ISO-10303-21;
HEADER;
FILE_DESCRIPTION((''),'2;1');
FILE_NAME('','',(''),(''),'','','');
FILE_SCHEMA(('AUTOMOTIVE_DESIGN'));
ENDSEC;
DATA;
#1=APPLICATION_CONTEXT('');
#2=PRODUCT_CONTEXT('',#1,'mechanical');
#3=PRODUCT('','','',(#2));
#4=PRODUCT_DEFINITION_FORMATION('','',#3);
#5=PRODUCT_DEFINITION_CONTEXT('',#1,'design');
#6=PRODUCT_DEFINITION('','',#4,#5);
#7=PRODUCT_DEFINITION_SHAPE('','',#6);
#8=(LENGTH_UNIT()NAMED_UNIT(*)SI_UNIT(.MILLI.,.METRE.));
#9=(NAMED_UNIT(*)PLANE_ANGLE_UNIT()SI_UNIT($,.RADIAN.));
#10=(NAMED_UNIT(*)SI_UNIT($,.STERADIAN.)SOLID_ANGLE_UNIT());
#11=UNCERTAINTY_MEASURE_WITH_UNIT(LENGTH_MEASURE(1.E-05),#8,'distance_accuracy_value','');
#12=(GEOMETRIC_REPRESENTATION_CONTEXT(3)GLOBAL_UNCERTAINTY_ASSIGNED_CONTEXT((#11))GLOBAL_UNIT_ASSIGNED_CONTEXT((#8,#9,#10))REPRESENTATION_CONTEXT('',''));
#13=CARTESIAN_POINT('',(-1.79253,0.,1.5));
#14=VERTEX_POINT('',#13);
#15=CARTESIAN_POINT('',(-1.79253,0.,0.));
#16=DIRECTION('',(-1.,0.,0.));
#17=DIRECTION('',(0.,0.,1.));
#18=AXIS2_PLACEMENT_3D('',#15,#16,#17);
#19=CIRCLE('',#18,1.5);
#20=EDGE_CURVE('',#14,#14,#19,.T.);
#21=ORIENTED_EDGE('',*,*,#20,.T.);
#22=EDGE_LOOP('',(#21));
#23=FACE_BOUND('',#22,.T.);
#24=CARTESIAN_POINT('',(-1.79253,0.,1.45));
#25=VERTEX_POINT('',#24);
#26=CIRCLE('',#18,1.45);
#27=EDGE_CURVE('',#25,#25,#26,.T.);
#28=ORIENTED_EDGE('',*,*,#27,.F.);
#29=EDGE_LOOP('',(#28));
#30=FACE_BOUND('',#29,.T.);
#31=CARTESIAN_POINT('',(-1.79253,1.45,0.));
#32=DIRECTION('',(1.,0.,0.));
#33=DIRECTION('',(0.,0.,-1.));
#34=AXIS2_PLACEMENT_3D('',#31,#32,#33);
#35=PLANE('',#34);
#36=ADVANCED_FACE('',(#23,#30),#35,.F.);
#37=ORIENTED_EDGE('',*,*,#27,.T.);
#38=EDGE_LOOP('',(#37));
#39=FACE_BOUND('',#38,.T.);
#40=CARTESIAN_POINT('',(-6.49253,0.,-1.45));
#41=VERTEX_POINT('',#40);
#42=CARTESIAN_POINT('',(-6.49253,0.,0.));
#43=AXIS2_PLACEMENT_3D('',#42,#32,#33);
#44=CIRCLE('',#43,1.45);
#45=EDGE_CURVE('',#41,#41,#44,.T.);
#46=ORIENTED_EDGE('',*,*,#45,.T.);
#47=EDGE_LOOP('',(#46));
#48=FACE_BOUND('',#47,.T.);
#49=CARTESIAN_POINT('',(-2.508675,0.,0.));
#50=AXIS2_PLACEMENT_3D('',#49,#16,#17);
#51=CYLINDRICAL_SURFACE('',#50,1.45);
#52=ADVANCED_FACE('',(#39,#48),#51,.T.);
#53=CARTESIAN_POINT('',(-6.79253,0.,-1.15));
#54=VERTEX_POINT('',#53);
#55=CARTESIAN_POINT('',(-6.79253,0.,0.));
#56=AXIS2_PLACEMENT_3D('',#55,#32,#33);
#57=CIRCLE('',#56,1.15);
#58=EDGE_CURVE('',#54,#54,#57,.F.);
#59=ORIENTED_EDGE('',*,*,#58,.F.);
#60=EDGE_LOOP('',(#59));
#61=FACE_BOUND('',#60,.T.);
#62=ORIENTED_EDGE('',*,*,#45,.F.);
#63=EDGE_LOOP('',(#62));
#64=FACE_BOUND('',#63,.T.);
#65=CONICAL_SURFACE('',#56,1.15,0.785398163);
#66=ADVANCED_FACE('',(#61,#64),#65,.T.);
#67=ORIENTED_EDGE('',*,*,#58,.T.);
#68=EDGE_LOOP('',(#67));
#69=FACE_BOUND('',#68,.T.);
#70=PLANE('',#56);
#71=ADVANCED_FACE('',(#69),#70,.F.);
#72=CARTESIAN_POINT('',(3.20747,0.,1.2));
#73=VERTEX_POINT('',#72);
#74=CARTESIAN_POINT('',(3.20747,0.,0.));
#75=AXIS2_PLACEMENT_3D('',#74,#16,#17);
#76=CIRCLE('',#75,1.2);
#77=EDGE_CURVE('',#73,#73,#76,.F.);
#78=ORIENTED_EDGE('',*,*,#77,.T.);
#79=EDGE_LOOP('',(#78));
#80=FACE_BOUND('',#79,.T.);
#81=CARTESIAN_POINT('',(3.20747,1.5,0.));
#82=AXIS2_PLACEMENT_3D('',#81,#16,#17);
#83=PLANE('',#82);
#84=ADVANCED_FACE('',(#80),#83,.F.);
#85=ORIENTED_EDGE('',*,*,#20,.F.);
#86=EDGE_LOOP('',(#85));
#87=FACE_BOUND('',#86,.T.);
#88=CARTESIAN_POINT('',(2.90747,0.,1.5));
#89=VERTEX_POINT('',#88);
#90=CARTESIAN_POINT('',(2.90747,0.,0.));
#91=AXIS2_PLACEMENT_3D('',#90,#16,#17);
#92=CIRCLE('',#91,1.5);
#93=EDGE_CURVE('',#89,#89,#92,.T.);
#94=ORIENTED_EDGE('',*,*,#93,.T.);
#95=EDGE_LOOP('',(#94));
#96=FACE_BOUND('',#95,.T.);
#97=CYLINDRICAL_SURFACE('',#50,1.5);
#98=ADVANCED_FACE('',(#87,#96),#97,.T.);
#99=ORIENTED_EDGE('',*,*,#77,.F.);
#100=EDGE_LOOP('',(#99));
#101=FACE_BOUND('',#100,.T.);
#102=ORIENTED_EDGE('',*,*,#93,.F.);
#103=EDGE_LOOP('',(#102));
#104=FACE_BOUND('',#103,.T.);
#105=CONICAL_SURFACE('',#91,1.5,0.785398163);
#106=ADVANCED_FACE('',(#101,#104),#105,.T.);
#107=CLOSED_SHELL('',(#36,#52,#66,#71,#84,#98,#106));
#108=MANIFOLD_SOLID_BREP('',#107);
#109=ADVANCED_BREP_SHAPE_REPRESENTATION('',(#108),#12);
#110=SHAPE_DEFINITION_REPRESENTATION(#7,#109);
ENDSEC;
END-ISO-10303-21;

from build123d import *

# Parameters (mm, degrees)
CHAMFER1_SIZE = 0.3


with BuildPart() as part:
    # Sketch1 → Revolve1 (revolve)
    with BuildSketch(Plane.XY):
        Polygon((-6.79253012, 1.45), (-1.79253012, 1.45), (-1.79253012, 1.5), (3.20746988, 1.5), (3.20746988, 0), (-6.79253012, 0), align=None)
    revolve(axis=Axis((-2.508674699, 0, 0), (1, 0, 0)))

    # Chamfer1
    chamfer1_edges = [part.edges().sort_by_distance(p)[0] for p in [
        (3.20746988, -1.5, 0),
        (-6.79253012, -1.45, 0),
    ]]
    chamfer(chamfer1_edges, length=CHAMFER1_SIZE)


solid = part.part
